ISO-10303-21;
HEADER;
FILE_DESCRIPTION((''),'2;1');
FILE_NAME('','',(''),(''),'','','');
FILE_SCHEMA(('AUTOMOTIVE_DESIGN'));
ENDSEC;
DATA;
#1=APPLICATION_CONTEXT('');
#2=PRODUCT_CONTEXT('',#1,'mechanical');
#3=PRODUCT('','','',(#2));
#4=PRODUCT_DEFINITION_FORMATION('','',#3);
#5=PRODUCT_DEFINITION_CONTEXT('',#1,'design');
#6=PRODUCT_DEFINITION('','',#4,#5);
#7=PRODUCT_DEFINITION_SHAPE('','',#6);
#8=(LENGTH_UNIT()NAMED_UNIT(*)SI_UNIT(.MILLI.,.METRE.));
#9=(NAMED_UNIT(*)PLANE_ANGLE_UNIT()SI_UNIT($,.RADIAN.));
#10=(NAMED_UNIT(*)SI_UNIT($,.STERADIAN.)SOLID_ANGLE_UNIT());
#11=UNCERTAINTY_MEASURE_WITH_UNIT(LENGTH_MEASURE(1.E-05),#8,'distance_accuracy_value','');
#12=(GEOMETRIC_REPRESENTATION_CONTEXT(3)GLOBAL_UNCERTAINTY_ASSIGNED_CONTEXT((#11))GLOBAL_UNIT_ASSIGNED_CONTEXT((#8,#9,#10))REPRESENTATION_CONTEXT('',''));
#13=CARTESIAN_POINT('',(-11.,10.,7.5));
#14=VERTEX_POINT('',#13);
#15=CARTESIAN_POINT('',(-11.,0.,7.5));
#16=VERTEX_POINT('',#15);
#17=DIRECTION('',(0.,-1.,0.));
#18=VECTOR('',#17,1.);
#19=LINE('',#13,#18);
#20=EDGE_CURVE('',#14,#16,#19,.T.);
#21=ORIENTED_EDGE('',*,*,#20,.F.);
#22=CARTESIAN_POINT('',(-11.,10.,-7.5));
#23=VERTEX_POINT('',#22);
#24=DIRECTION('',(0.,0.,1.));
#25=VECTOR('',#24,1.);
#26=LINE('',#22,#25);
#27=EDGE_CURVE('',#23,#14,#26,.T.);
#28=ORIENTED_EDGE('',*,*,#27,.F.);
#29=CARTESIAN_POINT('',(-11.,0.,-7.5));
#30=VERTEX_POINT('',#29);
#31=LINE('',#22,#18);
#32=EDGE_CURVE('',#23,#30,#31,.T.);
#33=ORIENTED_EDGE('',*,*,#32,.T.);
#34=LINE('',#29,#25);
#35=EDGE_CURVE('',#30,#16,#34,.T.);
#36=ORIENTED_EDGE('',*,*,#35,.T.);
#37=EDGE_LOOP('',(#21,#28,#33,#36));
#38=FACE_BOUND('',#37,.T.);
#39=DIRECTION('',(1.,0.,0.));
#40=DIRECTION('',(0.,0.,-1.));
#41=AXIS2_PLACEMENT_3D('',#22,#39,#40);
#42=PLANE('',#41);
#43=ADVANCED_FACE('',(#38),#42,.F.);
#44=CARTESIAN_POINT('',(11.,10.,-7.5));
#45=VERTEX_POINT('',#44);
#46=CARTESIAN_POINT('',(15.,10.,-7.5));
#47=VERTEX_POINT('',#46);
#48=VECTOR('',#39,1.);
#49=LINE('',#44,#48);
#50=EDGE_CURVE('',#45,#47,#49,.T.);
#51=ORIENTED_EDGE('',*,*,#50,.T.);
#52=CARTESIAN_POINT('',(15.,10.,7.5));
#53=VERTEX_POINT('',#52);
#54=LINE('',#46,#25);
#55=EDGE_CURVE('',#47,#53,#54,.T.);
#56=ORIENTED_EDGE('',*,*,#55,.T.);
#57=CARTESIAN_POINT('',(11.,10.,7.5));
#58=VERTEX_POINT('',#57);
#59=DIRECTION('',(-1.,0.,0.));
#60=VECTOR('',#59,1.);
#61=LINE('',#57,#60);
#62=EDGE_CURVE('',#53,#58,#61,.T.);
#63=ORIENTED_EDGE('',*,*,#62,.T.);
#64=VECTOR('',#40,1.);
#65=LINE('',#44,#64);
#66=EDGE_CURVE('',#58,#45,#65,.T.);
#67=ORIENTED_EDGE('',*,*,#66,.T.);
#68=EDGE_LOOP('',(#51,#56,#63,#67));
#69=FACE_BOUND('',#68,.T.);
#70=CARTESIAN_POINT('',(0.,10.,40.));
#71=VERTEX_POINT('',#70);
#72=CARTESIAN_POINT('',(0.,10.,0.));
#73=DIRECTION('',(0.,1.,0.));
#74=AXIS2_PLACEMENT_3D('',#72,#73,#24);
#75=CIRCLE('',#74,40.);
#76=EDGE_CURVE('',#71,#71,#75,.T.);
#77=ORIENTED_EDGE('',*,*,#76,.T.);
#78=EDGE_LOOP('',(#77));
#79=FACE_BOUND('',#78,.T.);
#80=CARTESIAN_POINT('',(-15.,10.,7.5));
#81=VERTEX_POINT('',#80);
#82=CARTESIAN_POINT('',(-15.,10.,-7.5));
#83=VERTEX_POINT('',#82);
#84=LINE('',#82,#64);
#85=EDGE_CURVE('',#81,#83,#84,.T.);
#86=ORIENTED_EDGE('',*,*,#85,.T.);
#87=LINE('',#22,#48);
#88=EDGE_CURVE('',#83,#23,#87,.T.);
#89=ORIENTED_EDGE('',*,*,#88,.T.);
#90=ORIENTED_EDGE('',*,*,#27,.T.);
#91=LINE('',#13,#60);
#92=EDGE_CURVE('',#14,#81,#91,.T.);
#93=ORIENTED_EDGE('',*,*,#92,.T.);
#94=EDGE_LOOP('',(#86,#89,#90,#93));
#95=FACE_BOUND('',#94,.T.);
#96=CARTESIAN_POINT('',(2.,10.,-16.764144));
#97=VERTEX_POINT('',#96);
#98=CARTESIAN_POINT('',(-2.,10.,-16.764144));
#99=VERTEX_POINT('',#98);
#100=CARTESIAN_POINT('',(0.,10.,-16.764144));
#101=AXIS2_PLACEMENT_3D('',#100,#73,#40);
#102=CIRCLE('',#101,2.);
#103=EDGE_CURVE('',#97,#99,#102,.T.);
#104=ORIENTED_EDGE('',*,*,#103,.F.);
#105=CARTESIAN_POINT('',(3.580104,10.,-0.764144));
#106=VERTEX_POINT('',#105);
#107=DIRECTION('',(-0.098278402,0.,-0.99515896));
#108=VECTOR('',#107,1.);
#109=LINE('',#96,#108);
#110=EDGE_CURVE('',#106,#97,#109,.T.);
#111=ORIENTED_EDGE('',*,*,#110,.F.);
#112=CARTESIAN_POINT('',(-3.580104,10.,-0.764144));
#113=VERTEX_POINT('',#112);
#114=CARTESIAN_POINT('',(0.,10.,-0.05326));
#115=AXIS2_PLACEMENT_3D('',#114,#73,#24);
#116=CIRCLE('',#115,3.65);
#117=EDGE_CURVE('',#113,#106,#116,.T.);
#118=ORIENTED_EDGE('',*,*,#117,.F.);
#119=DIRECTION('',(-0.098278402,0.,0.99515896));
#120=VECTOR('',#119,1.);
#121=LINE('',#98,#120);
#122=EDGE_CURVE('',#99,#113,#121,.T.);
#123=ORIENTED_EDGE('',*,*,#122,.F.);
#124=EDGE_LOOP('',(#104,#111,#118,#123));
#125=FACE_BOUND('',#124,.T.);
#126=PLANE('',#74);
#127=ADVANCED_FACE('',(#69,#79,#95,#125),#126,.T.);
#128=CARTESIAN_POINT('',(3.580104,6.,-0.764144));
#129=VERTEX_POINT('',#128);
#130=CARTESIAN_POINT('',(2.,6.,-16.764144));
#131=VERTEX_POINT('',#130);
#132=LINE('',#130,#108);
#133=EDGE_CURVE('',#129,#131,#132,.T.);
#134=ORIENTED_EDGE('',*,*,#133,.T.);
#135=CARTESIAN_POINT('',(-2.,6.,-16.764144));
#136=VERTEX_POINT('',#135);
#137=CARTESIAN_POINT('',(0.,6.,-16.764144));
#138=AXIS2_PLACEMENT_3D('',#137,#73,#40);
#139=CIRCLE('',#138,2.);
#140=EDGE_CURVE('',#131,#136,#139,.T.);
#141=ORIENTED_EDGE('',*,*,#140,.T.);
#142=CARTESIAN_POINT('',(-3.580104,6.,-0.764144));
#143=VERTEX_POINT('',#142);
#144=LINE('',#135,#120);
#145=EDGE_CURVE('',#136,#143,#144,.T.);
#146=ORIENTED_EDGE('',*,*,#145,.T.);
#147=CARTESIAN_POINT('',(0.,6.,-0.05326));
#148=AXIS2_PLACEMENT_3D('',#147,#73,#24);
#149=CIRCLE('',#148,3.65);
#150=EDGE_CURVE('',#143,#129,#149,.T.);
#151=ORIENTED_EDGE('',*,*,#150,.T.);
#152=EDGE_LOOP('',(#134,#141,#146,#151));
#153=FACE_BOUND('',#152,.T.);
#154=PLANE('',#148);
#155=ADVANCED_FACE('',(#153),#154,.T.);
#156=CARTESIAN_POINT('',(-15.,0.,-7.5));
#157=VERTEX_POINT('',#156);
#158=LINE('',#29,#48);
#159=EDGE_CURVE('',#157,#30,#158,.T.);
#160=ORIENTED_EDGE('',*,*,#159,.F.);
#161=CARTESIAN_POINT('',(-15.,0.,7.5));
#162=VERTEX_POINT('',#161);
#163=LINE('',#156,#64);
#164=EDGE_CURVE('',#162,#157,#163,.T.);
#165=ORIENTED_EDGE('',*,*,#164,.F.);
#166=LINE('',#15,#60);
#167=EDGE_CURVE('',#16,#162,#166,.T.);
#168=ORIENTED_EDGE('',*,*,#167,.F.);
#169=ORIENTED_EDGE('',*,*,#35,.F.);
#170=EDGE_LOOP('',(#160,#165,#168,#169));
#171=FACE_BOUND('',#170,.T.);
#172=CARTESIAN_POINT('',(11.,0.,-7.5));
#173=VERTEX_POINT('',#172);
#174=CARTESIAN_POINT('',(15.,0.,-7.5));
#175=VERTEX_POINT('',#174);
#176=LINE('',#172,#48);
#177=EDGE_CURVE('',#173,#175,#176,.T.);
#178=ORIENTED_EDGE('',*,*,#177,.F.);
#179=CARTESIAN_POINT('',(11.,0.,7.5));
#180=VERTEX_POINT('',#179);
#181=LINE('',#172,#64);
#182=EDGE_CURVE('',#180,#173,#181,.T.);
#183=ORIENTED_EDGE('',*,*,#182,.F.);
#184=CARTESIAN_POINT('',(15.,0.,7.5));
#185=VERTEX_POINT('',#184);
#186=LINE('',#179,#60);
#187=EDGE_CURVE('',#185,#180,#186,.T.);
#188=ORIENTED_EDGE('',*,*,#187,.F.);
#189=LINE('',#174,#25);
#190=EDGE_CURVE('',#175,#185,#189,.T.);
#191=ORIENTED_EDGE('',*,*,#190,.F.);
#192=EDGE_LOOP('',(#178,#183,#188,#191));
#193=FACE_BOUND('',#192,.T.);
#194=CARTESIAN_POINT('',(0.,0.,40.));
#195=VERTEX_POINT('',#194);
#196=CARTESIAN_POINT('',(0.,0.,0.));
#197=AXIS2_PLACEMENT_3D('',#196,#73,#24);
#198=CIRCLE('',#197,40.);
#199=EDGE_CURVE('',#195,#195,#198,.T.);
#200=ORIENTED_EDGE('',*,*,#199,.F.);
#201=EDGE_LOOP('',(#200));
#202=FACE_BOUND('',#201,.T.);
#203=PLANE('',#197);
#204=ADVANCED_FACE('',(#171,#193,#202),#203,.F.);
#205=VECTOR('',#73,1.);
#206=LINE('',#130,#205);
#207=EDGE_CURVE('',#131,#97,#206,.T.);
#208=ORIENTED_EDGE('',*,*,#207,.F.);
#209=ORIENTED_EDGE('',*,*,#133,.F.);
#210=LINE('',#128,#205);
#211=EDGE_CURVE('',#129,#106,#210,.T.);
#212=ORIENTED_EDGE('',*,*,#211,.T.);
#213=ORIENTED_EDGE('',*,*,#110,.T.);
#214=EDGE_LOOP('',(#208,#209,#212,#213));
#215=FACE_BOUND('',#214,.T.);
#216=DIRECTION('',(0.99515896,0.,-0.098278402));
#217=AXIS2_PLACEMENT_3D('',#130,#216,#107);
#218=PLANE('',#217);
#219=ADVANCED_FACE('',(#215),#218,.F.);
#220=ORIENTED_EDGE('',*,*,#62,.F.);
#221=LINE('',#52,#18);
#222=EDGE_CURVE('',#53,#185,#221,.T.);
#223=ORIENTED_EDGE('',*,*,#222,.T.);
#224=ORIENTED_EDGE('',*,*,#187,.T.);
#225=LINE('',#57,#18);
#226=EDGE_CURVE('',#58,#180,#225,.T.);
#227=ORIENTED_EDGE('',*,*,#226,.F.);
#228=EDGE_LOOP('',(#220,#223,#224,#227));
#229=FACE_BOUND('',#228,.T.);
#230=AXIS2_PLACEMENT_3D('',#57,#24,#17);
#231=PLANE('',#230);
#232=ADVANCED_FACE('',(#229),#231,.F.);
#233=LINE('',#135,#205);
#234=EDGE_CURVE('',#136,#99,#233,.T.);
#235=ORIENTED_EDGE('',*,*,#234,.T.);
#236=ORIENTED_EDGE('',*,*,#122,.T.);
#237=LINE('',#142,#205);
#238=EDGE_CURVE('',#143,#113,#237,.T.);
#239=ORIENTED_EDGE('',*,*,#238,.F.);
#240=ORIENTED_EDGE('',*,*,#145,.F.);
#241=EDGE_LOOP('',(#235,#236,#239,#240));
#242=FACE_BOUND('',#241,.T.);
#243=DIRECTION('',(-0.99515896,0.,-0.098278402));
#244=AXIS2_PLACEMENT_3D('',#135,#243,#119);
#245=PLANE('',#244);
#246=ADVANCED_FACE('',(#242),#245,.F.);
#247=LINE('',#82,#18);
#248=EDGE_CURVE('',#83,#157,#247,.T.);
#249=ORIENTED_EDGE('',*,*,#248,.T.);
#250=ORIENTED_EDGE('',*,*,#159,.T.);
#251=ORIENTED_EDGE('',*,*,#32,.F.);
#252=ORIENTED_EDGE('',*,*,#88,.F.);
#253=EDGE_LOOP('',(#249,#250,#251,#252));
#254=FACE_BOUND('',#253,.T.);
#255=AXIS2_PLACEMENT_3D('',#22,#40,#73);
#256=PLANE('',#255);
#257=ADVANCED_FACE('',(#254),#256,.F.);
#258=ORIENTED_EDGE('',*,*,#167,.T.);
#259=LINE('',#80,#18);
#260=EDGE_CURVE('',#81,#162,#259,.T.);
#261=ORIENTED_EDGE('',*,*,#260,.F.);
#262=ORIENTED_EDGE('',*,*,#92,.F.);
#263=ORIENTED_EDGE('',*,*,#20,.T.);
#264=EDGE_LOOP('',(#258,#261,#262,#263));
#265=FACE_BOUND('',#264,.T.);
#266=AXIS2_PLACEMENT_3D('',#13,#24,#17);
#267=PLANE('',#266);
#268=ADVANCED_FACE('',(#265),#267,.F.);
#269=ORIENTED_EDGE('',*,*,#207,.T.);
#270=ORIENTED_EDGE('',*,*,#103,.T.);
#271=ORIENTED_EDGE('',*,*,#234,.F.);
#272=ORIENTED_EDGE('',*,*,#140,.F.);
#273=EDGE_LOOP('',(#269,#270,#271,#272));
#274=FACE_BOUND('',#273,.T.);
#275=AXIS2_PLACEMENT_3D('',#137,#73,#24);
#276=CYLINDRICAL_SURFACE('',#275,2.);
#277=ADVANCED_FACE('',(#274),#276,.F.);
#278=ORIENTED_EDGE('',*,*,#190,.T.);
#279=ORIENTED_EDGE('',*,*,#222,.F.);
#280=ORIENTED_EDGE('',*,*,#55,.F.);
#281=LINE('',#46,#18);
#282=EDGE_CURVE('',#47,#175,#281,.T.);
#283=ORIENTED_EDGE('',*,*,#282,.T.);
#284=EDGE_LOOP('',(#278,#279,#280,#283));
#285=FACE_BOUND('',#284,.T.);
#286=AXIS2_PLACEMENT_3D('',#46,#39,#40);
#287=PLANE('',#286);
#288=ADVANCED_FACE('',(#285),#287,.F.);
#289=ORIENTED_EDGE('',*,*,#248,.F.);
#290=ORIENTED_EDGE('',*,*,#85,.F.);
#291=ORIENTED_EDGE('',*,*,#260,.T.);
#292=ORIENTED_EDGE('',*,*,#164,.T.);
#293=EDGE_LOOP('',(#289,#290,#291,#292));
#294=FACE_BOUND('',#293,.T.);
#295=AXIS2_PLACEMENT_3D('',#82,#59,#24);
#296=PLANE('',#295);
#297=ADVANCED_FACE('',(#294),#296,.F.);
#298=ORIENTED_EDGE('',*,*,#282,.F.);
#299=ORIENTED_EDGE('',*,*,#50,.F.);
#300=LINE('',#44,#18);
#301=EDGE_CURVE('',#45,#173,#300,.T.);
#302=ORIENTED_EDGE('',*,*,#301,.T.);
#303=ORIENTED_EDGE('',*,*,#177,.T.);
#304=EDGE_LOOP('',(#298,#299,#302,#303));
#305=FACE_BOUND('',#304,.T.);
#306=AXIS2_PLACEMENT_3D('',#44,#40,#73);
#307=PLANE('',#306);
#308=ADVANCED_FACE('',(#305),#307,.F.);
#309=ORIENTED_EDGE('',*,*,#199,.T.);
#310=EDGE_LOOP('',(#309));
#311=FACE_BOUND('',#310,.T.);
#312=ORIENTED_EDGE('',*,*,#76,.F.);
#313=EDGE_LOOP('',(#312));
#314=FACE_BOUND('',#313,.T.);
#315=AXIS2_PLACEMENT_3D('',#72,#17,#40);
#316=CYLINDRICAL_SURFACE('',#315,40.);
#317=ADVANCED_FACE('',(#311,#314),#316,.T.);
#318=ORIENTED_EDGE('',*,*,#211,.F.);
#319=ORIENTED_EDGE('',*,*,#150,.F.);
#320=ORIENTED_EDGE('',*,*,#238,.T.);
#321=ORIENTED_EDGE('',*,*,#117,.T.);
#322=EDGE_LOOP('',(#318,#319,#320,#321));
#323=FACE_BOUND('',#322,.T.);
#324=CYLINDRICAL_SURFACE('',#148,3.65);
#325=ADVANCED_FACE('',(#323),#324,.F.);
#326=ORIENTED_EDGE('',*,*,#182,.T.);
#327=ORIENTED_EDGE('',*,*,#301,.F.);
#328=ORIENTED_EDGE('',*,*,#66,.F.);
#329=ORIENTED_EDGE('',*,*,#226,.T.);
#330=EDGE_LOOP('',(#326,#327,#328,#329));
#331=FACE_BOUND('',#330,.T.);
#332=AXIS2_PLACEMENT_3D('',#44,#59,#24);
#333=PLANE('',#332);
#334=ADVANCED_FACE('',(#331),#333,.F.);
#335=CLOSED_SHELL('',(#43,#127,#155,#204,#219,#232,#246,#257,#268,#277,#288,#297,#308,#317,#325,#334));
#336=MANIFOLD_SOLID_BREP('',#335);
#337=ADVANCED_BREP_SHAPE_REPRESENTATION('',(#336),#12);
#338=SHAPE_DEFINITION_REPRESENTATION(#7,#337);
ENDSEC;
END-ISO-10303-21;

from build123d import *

# Parameters (mm, degrees)
SKETCH1_R           = 40
BOSS_EXTRUDE1_DEPTH = 10
CUT_EXTRUDE1_DEPTH  = 4
SKETCH3_W           = 4
SKETCH3_H           = 15
CUT_EXTRUDE2_DEPTH  = 10


with BuildPart() as part:
    # Sketch1 → Boss-Extrude1 (new body)
    with BuildSketch(Plane(origin=(0, 0, 0), x_dir=(1, 0, 0), z_dir=(0, 1, 0))):
        with Locations(Location((0, 0, 0), (0, 0, 270))):
            Circle(SKETCH1_R)
    extrude(amount=BOSS_EXTRUDE1_DEPTH)

    # Sketch2 → Cut-Extrude1 (cut)
    with BuildSketch(Plane(origin=(0, 10, 0), x_dir=(1, 0, 0), z_dir=(0, 1, 0))):
        with BuildLine():
            Line((-2, 16.764144262), (-3.580103784, 0.764144262))
            ThreePointArc((-3.580103784, 0.764144262), (0, -3.596740326), (3.580103784, 0.764144262))
            Line((3.580103784, 0.764144262), (2, 16.764144262))
            ThreePointArc((2, 16.764144262), (0, 18.764144262), (-2, 16.764144262))
        make_face()
    extrude(amount=-CUT_EXTRUDE1_DEPTH, mode=Mode.SUBTRACT)

    # Sketch3 → Cut-Extrude2 (cut)
    with BuildSketch(Plane.XZ):
        with Locations((13, 0)):
            Rectangle(SKETCH3_W, SKETCH3_H)
        with Locations((-13, 0)):
            Rectangle(SKETCH3_W, SKETCH3_H)
    extrude(amount=-CUT_EXTRUDE2_DEPTH, mode=Mode.SUBTRACT)


solid = part.part
